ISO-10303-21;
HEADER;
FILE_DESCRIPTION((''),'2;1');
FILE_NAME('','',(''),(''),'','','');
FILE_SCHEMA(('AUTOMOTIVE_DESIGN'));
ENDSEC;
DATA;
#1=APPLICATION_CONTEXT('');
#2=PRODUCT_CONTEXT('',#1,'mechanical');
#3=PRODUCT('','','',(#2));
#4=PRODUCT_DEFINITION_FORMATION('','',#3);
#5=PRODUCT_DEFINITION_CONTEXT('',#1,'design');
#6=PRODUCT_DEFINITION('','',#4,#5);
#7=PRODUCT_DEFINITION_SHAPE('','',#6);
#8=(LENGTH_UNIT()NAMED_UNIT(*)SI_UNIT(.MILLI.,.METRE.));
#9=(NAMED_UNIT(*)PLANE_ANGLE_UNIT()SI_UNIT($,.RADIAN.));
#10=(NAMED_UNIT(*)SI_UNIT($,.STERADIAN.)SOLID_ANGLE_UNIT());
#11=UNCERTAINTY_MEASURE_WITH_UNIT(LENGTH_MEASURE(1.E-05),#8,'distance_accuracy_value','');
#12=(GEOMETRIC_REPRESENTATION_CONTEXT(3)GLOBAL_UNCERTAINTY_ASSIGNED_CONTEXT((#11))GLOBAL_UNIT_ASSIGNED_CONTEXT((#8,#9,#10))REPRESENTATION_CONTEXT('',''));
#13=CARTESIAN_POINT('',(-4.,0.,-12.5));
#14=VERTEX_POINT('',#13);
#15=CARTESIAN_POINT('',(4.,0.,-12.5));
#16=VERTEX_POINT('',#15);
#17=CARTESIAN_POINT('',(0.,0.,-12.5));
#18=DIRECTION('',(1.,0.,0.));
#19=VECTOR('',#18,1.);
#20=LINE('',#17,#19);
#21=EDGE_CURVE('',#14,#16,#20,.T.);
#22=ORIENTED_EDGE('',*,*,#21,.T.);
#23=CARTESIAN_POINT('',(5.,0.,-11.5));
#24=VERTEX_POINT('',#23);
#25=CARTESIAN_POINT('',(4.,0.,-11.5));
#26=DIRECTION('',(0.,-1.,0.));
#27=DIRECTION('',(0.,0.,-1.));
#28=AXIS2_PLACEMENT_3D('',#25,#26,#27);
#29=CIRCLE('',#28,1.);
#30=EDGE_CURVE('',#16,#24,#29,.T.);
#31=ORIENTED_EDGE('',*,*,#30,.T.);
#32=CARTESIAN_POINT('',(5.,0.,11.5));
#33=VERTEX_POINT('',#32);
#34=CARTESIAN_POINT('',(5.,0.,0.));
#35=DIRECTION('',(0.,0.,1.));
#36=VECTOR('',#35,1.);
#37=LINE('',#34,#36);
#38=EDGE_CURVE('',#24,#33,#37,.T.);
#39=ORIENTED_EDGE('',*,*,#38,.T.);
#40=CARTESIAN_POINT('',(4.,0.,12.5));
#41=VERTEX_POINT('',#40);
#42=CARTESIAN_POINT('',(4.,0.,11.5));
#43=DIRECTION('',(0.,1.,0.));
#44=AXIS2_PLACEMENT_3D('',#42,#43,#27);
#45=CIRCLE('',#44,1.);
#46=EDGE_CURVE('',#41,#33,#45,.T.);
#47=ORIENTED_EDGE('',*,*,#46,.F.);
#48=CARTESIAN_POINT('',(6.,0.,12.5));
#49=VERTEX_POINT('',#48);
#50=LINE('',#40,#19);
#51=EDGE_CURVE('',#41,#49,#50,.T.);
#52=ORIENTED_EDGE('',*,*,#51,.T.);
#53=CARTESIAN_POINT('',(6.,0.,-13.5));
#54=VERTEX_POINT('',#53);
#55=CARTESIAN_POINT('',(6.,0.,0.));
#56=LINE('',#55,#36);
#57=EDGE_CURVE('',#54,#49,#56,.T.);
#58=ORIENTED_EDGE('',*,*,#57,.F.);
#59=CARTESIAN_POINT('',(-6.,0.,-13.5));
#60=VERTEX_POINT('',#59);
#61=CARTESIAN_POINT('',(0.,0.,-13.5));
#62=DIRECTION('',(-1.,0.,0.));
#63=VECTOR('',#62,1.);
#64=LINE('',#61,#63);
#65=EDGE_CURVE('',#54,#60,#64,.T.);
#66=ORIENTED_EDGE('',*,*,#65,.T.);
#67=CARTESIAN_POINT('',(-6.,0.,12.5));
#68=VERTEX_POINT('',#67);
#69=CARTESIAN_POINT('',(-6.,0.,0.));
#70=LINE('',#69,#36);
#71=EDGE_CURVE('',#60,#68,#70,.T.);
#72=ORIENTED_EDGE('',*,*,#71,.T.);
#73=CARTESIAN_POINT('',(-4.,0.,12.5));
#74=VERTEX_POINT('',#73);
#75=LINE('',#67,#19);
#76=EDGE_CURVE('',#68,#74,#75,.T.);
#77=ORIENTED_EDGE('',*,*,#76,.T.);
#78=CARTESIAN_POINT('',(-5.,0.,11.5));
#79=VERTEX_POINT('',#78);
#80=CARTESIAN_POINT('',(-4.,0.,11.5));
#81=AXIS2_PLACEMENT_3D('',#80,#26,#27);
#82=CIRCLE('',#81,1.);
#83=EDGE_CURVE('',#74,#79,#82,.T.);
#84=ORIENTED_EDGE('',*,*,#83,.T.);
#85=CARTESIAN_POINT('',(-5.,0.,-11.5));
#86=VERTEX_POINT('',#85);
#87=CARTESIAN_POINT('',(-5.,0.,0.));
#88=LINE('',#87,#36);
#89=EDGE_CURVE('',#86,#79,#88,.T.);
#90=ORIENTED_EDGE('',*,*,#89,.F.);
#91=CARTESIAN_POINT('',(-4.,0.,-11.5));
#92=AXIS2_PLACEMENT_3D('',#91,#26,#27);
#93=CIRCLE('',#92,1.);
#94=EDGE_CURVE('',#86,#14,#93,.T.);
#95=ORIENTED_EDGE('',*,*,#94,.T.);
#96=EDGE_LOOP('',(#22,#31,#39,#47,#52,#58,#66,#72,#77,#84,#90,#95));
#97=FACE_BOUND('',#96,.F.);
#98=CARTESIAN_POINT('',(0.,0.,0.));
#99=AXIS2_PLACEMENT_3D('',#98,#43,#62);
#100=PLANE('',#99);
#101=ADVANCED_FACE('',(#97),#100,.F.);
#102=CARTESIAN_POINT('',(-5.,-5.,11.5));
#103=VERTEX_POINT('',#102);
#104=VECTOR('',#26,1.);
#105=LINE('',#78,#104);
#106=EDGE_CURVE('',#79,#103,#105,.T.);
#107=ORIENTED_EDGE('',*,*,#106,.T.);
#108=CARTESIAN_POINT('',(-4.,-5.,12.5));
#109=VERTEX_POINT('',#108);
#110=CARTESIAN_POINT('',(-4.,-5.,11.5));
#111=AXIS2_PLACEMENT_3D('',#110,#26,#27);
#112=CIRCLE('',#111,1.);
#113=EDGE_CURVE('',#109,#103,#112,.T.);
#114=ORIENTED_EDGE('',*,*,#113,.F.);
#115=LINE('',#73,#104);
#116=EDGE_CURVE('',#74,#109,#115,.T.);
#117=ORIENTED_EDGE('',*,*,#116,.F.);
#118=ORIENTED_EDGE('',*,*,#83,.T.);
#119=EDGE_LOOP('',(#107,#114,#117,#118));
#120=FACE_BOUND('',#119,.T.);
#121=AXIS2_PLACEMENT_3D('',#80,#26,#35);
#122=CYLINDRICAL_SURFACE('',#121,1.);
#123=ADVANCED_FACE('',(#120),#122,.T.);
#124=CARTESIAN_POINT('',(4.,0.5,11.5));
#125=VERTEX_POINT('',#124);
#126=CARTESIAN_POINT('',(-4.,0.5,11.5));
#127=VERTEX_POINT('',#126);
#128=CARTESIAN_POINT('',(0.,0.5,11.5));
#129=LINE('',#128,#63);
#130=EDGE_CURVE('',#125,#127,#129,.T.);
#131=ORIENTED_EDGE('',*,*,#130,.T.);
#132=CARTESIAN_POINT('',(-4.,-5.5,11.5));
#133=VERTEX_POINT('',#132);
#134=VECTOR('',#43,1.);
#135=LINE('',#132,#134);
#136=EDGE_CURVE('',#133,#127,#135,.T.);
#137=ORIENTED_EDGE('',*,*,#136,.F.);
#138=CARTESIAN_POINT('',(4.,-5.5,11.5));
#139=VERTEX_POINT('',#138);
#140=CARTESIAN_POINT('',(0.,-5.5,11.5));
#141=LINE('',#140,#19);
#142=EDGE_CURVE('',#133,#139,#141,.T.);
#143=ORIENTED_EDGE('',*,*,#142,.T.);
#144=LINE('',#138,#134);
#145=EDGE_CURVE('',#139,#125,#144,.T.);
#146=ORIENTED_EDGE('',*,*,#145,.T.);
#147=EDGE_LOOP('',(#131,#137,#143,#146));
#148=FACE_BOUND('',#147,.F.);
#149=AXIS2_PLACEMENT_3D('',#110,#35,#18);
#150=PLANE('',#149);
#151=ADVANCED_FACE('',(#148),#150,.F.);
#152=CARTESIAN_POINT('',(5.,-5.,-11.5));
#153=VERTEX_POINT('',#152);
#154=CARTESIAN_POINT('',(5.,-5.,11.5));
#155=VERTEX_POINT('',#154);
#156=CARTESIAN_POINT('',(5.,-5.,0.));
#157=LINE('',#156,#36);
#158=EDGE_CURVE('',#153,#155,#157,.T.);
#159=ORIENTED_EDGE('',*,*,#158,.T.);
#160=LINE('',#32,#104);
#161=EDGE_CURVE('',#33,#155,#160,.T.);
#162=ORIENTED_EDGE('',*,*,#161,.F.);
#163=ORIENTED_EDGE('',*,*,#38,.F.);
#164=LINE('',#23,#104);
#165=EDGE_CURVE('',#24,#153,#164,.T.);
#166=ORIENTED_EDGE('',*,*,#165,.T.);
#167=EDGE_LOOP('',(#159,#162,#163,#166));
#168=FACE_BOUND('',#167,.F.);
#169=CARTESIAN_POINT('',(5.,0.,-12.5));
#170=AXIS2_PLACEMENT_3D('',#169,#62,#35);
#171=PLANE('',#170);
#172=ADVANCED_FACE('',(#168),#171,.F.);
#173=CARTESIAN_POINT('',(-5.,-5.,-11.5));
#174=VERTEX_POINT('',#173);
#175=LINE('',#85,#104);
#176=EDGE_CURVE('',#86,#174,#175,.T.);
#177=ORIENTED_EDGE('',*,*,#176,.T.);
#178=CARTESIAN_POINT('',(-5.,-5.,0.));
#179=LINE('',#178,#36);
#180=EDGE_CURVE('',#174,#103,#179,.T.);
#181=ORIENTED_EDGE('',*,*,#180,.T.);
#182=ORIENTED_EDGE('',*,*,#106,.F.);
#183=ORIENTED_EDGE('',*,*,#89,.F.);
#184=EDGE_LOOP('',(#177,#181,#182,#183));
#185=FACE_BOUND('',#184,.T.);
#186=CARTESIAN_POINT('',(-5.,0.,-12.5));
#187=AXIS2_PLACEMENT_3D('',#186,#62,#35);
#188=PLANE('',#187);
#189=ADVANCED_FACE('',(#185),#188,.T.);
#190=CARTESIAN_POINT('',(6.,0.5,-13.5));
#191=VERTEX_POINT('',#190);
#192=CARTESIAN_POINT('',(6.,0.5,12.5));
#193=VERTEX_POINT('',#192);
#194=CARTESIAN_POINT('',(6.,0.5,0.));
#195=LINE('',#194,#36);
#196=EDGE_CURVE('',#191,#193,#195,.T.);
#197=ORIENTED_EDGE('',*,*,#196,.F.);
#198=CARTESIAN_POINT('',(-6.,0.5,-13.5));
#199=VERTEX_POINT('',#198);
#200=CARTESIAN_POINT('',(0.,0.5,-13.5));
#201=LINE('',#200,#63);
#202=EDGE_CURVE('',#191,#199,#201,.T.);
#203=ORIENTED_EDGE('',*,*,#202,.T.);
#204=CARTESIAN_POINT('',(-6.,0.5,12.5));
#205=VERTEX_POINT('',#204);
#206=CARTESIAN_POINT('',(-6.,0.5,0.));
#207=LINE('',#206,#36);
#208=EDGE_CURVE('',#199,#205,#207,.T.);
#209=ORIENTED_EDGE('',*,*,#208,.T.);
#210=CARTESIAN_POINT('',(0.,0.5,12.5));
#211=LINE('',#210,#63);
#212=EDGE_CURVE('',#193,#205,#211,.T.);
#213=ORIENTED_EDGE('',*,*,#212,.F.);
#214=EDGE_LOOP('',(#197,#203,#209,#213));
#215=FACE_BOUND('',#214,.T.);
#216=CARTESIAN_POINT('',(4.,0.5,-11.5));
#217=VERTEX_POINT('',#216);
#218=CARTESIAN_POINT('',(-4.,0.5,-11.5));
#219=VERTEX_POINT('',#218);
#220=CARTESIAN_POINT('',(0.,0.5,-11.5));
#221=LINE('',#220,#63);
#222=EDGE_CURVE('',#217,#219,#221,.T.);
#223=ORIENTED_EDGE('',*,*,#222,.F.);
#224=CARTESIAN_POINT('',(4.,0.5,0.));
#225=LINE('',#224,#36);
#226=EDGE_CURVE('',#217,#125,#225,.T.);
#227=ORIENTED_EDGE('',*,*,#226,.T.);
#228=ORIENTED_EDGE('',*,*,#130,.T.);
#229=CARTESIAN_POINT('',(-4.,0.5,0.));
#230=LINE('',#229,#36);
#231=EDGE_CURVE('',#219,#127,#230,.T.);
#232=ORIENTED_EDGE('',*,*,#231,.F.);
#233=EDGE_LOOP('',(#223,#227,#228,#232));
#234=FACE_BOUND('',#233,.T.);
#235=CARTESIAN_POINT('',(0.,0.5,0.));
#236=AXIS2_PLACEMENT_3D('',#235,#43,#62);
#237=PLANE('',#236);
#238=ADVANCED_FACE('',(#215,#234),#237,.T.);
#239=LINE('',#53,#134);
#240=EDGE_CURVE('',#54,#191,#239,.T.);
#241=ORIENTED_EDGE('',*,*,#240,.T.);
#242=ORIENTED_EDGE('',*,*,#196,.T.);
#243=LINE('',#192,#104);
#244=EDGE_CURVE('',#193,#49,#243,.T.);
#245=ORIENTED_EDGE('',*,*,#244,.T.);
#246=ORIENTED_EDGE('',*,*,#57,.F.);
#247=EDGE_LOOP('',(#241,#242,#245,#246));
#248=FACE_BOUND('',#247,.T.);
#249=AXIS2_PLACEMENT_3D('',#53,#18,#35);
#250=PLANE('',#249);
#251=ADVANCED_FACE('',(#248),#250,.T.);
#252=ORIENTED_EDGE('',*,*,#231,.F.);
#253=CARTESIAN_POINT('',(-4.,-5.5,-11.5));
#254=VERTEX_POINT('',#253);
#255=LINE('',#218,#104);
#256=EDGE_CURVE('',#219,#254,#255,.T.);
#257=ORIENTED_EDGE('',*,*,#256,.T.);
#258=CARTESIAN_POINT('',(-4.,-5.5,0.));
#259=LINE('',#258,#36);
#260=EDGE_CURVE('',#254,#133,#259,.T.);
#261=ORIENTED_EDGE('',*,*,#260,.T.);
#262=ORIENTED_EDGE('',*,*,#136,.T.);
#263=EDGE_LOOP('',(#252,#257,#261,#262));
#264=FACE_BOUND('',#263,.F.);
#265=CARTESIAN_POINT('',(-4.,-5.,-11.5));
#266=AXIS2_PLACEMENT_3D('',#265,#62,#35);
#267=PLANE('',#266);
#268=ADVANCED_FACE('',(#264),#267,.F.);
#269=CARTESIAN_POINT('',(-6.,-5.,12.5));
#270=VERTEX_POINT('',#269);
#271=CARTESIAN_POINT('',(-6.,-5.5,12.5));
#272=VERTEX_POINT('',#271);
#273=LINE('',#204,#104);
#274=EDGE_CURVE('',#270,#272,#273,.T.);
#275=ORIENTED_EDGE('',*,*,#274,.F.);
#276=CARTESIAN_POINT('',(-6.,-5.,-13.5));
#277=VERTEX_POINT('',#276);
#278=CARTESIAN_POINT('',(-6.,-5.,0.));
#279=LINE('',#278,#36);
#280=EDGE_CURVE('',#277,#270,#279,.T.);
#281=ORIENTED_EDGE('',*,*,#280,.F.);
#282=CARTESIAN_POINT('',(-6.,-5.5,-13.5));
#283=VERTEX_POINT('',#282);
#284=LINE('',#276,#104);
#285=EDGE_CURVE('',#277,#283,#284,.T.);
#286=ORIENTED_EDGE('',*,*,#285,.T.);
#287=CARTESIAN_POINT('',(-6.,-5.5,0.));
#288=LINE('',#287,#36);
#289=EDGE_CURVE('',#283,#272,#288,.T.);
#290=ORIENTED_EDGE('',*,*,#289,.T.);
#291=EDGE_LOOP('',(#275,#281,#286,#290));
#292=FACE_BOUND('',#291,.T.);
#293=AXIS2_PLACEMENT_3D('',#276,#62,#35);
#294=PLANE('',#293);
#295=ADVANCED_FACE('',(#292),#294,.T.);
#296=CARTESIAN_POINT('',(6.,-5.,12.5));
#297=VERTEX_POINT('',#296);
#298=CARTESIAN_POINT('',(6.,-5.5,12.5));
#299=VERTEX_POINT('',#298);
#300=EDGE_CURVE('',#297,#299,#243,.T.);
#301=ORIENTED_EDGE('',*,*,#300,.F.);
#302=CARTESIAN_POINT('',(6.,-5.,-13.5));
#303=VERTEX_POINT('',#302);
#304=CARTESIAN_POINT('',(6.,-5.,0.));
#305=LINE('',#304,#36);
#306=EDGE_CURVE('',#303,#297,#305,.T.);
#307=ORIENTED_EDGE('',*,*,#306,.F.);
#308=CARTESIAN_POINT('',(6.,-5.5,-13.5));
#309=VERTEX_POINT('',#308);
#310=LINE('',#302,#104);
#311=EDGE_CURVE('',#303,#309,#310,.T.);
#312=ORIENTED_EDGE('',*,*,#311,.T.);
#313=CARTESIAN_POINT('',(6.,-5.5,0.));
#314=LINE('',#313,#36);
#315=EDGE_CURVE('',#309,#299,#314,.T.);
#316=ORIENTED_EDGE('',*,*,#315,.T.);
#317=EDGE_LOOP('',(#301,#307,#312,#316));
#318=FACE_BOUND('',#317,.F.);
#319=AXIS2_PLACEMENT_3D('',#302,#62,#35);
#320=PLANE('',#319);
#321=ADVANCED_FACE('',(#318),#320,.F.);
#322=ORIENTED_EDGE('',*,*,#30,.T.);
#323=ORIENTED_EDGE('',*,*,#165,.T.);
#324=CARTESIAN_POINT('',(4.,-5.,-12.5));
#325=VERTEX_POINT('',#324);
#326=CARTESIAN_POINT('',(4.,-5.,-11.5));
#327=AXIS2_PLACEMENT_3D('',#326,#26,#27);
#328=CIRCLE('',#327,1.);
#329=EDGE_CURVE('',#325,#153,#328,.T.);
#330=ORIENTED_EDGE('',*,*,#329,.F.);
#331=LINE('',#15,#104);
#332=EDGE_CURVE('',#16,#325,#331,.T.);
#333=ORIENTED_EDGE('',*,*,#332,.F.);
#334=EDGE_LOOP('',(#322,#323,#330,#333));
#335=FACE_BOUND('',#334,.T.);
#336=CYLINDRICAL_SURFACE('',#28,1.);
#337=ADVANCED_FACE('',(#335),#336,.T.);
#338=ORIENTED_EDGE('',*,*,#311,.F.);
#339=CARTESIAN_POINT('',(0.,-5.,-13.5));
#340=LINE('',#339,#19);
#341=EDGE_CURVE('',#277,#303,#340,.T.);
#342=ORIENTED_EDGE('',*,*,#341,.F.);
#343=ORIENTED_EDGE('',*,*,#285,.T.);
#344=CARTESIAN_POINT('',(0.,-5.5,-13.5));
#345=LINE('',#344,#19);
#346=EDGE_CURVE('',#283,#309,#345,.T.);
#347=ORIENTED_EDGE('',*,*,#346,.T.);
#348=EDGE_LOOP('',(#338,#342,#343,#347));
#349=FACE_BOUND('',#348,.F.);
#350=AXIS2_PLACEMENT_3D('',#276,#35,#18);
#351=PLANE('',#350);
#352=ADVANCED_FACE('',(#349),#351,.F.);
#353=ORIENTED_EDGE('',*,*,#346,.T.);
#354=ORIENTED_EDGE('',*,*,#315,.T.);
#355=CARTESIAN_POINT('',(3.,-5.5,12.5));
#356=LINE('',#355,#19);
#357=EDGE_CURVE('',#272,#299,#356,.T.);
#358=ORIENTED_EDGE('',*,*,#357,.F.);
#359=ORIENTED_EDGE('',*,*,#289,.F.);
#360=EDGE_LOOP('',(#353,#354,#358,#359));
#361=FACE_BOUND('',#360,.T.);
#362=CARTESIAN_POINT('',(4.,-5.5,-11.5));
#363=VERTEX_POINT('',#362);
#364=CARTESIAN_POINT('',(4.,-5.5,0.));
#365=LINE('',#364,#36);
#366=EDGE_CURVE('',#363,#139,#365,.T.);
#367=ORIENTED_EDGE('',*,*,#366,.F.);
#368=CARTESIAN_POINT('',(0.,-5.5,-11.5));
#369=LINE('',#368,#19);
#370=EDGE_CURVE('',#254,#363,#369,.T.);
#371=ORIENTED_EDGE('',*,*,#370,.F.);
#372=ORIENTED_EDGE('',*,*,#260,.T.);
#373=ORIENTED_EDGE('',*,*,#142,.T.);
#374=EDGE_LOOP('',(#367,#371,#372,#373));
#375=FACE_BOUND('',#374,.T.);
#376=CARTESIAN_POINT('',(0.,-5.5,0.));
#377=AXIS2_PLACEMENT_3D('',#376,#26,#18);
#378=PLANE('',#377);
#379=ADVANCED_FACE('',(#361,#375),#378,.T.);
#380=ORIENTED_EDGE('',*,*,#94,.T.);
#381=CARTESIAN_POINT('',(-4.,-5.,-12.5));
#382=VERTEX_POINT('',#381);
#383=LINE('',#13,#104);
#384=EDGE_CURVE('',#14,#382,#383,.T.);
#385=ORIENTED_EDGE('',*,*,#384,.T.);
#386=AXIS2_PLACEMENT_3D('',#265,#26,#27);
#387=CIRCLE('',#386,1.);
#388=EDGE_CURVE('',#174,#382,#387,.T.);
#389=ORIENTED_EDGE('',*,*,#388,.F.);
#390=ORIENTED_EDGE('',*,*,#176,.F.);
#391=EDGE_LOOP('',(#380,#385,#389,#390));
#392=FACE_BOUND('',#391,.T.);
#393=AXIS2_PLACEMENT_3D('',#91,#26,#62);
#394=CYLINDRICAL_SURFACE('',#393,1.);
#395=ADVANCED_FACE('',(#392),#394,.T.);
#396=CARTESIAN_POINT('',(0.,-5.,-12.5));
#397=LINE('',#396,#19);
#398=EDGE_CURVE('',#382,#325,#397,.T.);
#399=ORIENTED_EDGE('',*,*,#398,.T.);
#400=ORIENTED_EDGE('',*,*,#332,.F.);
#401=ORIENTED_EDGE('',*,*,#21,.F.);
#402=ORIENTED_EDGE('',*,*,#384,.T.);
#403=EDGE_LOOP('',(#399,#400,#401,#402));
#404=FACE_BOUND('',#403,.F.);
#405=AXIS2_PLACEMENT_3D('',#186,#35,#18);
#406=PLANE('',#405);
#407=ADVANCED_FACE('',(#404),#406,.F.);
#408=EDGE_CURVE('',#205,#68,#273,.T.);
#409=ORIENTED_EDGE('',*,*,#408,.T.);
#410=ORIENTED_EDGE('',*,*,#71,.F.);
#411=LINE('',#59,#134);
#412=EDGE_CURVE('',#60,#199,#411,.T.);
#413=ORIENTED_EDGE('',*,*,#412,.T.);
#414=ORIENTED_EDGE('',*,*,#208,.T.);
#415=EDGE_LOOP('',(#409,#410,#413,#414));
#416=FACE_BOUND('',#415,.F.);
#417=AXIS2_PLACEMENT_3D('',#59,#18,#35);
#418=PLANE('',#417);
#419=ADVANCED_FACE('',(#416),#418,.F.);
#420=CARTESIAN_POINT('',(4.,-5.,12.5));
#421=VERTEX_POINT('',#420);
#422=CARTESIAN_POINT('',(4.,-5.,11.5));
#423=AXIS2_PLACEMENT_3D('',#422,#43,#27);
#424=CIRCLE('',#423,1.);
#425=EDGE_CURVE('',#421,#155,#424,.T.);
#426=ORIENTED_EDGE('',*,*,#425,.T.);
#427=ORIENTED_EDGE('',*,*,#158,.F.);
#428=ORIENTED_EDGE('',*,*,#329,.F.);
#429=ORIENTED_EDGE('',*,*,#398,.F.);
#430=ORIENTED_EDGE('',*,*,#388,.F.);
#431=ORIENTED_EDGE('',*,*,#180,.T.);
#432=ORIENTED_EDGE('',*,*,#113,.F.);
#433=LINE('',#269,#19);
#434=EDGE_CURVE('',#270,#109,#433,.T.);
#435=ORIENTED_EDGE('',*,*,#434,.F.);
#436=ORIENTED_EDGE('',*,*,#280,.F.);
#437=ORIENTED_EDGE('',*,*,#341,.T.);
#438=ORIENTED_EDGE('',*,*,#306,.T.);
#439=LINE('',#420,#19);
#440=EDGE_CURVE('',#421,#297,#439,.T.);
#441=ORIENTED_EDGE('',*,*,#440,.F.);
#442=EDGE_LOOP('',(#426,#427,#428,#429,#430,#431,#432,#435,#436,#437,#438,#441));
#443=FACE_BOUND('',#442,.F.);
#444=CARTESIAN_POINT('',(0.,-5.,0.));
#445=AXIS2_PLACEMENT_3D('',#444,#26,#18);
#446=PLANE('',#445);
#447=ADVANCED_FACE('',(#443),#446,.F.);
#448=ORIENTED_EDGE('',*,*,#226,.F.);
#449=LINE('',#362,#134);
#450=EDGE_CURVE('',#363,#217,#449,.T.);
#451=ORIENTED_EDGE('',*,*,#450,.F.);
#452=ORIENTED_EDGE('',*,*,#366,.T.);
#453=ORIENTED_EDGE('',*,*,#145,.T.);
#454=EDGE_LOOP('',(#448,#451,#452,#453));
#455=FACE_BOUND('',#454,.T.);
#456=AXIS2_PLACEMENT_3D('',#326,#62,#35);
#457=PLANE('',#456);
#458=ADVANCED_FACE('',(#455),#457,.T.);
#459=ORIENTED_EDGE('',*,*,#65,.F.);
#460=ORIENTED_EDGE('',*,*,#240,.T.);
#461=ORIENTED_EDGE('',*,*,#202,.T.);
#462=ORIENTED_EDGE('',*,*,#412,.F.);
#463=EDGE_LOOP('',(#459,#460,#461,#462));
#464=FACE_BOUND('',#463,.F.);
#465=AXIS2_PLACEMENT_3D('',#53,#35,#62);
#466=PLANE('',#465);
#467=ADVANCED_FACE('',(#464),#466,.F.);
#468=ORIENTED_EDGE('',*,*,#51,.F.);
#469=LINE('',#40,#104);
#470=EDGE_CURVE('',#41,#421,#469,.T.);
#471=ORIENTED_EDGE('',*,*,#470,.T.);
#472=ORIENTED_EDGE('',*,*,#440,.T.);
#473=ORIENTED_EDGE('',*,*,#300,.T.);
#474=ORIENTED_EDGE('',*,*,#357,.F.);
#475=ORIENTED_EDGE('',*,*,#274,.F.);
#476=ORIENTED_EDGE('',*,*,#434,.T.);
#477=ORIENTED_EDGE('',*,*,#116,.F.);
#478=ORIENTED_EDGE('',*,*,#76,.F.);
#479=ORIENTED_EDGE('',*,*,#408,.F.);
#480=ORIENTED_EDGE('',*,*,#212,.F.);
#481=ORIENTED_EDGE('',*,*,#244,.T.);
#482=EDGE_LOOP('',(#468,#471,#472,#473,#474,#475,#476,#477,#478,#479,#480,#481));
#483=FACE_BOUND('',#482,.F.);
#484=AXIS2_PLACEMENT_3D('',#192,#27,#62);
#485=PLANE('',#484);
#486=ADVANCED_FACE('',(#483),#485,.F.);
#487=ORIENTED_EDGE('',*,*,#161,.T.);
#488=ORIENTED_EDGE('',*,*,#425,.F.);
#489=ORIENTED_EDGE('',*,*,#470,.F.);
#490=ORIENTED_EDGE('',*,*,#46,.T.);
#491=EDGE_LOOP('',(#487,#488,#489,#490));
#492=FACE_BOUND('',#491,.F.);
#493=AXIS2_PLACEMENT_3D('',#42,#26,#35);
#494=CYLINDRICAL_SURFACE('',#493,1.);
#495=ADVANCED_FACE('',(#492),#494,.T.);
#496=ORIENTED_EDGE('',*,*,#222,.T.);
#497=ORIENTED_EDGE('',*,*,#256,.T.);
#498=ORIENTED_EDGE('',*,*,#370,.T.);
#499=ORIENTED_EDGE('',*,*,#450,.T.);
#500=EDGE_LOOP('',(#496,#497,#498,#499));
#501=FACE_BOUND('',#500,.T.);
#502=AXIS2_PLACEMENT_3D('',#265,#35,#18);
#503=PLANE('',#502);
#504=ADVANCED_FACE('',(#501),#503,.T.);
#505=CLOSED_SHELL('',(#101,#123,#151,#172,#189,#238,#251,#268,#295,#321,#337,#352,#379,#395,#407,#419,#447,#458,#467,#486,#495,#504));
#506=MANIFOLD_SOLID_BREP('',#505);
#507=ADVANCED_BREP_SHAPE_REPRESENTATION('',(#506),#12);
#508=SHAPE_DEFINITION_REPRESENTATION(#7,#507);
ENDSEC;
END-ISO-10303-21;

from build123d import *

# Parameters (mm, degrees)
F0_W     = 10
F0_H     = 25
F0_W_2   = 8
F0_H_2   = 23
F1_DEPTH = 5
F2_W     = 12
F2_H     = 27
F2_W_2   = 10
F2_H_2   = 25
F2_W_3   = 8
F2_H_3   = 23
F3_DEPTH = 0.5
F4_W     = 12
F4_H     = 27
F4_W_2   = 10
F4_H_2   = 25
F4_W_3   = 8
F4_H_3   = 23
F5_DEPTH = 0.5
F7_W     = 12
F7_H     = 1
F8_DEPTH = 25
F9_R     = 1


with BuildPart() as f1:
    # F0 (on Front) → F1 (new body)
    with BuildSketch(Plane.XZ):
        Rectangle(F0_W, F0_H)
        Rectangle(F0_W_2, F0_H_2, mode=Mode.SUBTRACT)
    extrude(amount=F1_DEPTH)

    # F2 (on face) → F3 (join)
    with BuildSketch(Plane(origin=(0, 0, 0), x_dir=(-1, 0, 0), z_dir=(0, 1, 0))):
        Rectangle(F2_W, F2_H)
        Rectangle(F2_W_2, F2_H_2, mode=Mode.SUBTRACT)
        Rectangle(F2_W_2, F2_H_2)
        Rectangle(F2_W_3, F2_H_3, mode=Mode.SUBTRACT)
    extrude(amount=F3_DEPTH)

    # F4 (on face) → F5 (join)
    with BuildSketch(Plane.XZ.offset(5)):
        Rectangle(F4_W, F4_H)
        Rectangle(F4_W_2, F4_H_2, mode=Mode.SUBTRACT)
        Rectangle(F4_W_2, F4_H_2)
        Rectangle(F4_W_3, F4_H_3, mode=Mode.SUBTRACT)
    extrude(amount=F5_DEPTH)

    # F7 (on face) → F8 (cut)
    with BuildSketch(Plane(origin=(0, 0.5, 0), x_dir=(-1, 0, 0), z_dir=(0, 1, 0))):
        with Locations((0, 13)):
            Rectangle(F7_W, F7_H)
    extrude(amount=-F8_DEPTH, mode=Mode.SUBTRACT)

    # F9
    f9_edges = [f1.edges().sort_by_distance(p)[0] for p in [
        (-5, -2.5, 12.5),
        (5, -2.5, 12.5),
        (-5, -2.5, -12.5),
        (5, -2.5, -12.5),
    ]]
    fillet(f9_edges, radius=F9_R)


solid = f1.part
